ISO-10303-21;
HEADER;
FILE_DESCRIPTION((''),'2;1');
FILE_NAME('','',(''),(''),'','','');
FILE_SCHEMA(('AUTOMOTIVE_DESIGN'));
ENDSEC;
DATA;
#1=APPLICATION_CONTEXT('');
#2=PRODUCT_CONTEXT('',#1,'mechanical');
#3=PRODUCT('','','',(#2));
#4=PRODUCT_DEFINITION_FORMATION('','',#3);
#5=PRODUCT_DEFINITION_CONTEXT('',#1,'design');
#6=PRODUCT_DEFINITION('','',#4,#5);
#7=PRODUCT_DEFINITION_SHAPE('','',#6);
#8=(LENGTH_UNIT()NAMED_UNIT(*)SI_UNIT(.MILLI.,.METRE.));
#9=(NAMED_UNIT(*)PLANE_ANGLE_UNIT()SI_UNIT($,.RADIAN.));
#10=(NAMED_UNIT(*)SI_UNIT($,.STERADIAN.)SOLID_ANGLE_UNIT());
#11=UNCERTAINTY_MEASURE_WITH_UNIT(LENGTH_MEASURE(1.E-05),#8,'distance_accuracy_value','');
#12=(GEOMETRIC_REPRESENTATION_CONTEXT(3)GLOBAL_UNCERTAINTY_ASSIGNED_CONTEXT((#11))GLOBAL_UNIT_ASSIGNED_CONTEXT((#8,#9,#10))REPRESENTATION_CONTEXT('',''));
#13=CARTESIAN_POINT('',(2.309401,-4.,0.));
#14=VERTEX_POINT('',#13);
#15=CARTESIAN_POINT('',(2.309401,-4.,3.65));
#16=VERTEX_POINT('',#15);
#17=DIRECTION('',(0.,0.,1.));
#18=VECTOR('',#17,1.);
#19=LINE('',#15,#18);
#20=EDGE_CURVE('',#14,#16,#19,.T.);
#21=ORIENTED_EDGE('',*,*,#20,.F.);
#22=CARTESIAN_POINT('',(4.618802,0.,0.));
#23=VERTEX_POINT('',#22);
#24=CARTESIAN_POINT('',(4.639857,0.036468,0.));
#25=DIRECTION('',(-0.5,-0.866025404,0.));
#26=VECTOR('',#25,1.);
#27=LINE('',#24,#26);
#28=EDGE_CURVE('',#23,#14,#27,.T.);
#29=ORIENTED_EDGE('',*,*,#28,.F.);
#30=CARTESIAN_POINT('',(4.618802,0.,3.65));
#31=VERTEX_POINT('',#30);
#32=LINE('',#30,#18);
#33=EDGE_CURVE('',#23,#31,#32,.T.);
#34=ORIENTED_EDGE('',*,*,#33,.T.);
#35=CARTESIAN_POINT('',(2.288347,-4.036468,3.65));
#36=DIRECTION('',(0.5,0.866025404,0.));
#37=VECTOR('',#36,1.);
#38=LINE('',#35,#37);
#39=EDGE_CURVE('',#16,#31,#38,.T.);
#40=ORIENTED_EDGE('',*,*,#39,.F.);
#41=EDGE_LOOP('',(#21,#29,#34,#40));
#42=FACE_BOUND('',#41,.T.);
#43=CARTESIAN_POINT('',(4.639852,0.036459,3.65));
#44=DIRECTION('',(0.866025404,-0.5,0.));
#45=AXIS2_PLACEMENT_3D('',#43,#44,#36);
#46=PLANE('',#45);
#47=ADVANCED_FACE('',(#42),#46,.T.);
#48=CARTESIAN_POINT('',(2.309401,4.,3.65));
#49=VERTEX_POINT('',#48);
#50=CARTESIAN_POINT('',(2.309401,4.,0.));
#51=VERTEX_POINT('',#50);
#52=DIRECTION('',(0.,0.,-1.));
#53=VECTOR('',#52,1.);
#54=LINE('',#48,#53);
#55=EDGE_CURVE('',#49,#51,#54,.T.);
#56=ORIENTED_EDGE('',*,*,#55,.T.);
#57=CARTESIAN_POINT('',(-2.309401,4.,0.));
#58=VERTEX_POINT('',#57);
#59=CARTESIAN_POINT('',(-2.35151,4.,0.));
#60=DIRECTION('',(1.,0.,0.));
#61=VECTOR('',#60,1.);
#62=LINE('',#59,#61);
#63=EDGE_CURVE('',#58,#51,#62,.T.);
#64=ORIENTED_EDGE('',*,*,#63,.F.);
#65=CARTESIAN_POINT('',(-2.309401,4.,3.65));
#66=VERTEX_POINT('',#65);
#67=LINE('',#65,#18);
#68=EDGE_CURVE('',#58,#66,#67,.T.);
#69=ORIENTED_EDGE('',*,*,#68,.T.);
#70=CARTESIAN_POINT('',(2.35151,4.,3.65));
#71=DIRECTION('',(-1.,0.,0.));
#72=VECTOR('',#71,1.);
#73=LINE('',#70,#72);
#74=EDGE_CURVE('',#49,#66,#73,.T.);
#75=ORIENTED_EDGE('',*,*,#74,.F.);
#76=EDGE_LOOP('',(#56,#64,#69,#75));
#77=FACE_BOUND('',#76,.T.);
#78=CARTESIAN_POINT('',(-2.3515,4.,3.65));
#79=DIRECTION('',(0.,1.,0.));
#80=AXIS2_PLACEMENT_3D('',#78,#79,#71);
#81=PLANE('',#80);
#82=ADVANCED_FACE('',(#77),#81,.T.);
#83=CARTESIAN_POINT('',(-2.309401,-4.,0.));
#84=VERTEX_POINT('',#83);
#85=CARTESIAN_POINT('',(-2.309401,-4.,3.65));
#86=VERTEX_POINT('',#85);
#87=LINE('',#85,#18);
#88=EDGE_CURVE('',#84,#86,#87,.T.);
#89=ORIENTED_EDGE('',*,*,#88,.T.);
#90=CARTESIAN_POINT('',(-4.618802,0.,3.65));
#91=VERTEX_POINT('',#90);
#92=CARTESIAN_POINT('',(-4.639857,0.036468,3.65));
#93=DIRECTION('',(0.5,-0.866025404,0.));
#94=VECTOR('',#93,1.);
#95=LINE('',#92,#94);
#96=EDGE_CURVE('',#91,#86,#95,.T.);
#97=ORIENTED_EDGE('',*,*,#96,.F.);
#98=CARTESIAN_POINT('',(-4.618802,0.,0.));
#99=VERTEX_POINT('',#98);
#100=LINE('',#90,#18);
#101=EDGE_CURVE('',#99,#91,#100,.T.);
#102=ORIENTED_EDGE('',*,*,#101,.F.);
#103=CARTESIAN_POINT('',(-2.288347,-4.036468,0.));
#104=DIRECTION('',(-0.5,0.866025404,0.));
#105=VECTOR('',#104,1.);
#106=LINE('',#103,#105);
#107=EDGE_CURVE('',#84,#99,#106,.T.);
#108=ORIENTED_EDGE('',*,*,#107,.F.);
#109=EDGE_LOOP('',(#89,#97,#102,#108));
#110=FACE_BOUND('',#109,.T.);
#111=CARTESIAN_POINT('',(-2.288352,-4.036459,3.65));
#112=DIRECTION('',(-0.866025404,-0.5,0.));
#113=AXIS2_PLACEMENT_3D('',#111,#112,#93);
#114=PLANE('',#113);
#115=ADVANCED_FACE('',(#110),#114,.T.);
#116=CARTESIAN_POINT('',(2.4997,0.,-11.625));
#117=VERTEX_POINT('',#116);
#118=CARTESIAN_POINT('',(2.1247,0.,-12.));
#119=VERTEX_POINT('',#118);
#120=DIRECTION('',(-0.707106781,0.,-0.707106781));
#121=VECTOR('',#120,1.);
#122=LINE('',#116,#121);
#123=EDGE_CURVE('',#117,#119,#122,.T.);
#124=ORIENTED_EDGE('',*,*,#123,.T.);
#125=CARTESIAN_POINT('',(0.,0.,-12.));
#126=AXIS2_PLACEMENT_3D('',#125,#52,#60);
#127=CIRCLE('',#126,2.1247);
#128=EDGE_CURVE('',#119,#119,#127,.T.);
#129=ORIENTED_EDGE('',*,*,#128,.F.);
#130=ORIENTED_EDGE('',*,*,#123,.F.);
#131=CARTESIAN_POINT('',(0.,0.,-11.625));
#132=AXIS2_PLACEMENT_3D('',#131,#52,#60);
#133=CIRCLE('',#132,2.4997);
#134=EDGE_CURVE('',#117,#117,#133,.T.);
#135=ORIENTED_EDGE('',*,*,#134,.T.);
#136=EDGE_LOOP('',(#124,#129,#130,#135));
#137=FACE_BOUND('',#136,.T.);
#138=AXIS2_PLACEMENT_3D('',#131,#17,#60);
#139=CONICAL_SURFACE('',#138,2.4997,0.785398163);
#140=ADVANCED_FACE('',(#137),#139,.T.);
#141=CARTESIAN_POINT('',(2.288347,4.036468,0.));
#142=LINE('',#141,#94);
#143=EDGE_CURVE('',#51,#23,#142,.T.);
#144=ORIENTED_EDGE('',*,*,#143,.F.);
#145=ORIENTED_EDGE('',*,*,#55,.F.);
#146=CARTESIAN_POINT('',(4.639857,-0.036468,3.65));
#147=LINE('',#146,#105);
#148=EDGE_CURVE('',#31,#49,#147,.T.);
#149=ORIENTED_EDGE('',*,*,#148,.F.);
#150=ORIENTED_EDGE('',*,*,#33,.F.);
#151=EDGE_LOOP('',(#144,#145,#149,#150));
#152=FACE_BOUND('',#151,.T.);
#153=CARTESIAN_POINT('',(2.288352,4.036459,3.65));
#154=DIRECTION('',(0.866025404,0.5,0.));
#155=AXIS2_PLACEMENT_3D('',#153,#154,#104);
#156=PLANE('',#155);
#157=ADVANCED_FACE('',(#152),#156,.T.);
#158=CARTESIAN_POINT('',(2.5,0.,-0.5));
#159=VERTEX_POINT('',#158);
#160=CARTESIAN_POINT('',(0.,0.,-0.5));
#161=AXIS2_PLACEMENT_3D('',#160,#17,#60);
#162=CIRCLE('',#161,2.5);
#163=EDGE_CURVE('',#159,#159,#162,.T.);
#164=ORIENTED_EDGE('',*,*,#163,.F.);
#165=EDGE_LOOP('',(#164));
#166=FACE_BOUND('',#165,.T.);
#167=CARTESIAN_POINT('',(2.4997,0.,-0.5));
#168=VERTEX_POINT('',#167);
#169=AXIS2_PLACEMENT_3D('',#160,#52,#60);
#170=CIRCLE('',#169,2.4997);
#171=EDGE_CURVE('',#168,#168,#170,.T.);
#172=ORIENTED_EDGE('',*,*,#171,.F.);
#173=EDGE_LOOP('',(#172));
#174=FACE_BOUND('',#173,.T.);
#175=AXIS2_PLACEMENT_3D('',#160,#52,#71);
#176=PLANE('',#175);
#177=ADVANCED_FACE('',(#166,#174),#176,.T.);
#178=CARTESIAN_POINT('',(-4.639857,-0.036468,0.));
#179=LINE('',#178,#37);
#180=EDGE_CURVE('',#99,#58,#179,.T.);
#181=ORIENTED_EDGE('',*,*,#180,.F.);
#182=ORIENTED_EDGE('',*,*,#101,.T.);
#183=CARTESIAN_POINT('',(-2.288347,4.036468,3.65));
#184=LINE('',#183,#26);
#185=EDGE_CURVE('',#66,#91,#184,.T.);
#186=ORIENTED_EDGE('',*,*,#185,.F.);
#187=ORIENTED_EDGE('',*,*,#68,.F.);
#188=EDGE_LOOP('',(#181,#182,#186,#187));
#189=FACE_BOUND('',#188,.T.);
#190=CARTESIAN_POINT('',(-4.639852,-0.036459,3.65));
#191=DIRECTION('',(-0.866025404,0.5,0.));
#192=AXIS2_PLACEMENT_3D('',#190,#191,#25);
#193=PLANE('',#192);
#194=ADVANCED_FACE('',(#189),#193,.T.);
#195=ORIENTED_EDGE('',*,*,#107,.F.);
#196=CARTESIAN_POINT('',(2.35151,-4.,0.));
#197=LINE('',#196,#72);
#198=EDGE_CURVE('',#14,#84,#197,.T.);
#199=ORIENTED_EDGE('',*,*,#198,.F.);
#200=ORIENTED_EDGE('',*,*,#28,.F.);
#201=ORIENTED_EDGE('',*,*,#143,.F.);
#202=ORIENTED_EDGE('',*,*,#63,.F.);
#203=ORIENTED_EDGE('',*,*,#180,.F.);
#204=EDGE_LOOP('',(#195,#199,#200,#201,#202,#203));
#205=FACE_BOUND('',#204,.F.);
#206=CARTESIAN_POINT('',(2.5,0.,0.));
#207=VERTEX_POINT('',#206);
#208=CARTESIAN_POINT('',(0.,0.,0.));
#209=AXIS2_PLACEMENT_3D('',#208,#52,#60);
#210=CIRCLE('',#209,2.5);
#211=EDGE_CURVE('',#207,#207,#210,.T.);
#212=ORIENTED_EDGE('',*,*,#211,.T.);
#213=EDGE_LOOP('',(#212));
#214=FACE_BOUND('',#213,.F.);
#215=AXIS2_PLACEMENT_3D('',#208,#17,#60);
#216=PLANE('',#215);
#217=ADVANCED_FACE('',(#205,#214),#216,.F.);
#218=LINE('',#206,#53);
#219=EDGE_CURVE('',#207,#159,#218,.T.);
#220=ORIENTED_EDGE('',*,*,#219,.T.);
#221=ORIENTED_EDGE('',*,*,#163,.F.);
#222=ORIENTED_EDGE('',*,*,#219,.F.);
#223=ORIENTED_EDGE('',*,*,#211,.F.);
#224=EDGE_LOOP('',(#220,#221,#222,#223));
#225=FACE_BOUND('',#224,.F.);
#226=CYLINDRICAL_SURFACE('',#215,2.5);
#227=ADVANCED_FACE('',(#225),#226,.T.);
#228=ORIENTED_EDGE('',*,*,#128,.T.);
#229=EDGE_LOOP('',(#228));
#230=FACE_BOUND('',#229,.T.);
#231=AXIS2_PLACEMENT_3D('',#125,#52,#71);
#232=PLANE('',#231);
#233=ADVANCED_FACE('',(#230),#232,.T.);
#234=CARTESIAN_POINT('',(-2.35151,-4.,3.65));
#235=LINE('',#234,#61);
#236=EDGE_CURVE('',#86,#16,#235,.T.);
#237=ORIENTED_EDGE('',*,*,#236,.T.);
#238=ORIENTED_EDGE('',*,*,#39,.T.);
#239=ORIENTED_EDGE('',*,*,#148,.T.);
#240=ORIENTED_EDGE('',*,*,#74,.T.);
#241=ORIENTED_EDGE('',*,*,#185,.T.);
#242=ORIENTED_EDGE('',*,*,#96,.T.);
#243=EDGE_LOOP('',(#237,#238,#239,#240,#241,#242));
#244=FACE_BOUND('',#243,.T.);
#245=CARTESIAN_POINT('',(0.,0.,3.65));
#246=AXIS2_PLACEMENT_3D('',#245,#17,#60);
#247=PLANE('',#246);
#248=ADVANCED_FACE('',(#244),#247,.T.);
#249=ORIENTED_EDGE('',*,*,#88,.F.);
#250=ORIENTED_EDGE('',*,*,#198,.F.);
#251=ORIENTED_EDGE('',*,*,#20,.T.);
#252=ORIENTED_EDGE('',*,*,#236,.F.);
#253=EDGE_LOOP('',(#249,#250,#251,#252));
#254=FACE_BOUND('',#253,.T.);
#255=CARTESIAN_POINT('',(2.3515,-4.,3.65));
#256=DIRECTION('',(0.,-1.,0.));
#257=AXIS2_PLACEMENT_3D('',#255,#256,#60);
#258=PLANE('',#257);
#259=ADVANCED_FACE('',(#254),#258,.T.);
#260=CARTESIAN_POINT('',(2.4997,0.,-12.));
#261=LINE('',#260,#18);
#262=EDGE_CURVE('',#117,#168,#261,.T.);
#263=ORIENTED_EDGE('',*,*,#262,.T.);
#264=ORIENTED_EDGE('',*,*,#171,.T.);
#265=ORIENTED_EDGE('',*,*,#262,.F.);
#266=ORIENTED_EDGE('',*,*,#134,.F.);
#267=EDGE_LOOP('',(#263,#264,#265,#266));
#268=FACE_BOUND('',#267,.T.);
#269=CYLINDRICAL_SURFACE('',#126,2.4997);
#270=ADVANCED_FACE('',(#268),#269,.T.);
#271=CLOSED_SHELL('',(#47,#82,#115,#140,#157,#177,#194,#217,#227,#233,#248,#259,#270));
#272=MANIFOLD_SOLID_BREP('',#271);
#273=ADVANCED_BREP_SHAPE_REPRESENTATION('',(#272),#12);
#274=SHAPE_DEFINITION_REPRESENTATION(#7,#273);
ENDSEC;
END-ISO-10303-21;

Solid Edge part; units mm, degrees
sketch "Sketch1" plane through (0, 0, 0) normal (0, 0, 1) x (1, 0, 0)
  circle A0 centre (0, 0) radius 4.64
  dimension "D1" = 9.28
extrude "Protrusion1" add sketch "Sketch1" along normal blind 3.65
sketch "Sketch2" plane through (0, 0, 0) normal (0, 0, -1) x (1, 0, 0)
  circle A0 centre (0, 0) radius 2.5
extrude "Protrusion2" add sketch "Sketch2" along normal blind 12
sketch "Sketch3" plane through (0, 0, -12) normal (0, 0, -1) x (1, 0, 0)
  circle A0 centre (0, 0) radius 2.4997
extrude "Cutout1" cut sketch "Sketch3" against normal blind 11.5 flip side to cut
chamfer "Chamfer_1" distance 0.375 angle 45 1 edges at (-2.4997, 0, -12)
sketch "Sketch4" plane through (0, 0, 3.65) normal (0, 0, 1) x (1, 0, 0)
  line L0 (-2.3515, 4) -> (2.3515, 4)
  dimension "D1" = 8
extrude "Cutout2" cut sketch "Sketch4" against normal up to next material side at (0, 4.05, 3.65)
pattern_circular "Pattern1" count 6 over 360 about axis through (0, 0, 3.65) along (0, 0, 1) of "Cutout2"
properties part number "24104781"
